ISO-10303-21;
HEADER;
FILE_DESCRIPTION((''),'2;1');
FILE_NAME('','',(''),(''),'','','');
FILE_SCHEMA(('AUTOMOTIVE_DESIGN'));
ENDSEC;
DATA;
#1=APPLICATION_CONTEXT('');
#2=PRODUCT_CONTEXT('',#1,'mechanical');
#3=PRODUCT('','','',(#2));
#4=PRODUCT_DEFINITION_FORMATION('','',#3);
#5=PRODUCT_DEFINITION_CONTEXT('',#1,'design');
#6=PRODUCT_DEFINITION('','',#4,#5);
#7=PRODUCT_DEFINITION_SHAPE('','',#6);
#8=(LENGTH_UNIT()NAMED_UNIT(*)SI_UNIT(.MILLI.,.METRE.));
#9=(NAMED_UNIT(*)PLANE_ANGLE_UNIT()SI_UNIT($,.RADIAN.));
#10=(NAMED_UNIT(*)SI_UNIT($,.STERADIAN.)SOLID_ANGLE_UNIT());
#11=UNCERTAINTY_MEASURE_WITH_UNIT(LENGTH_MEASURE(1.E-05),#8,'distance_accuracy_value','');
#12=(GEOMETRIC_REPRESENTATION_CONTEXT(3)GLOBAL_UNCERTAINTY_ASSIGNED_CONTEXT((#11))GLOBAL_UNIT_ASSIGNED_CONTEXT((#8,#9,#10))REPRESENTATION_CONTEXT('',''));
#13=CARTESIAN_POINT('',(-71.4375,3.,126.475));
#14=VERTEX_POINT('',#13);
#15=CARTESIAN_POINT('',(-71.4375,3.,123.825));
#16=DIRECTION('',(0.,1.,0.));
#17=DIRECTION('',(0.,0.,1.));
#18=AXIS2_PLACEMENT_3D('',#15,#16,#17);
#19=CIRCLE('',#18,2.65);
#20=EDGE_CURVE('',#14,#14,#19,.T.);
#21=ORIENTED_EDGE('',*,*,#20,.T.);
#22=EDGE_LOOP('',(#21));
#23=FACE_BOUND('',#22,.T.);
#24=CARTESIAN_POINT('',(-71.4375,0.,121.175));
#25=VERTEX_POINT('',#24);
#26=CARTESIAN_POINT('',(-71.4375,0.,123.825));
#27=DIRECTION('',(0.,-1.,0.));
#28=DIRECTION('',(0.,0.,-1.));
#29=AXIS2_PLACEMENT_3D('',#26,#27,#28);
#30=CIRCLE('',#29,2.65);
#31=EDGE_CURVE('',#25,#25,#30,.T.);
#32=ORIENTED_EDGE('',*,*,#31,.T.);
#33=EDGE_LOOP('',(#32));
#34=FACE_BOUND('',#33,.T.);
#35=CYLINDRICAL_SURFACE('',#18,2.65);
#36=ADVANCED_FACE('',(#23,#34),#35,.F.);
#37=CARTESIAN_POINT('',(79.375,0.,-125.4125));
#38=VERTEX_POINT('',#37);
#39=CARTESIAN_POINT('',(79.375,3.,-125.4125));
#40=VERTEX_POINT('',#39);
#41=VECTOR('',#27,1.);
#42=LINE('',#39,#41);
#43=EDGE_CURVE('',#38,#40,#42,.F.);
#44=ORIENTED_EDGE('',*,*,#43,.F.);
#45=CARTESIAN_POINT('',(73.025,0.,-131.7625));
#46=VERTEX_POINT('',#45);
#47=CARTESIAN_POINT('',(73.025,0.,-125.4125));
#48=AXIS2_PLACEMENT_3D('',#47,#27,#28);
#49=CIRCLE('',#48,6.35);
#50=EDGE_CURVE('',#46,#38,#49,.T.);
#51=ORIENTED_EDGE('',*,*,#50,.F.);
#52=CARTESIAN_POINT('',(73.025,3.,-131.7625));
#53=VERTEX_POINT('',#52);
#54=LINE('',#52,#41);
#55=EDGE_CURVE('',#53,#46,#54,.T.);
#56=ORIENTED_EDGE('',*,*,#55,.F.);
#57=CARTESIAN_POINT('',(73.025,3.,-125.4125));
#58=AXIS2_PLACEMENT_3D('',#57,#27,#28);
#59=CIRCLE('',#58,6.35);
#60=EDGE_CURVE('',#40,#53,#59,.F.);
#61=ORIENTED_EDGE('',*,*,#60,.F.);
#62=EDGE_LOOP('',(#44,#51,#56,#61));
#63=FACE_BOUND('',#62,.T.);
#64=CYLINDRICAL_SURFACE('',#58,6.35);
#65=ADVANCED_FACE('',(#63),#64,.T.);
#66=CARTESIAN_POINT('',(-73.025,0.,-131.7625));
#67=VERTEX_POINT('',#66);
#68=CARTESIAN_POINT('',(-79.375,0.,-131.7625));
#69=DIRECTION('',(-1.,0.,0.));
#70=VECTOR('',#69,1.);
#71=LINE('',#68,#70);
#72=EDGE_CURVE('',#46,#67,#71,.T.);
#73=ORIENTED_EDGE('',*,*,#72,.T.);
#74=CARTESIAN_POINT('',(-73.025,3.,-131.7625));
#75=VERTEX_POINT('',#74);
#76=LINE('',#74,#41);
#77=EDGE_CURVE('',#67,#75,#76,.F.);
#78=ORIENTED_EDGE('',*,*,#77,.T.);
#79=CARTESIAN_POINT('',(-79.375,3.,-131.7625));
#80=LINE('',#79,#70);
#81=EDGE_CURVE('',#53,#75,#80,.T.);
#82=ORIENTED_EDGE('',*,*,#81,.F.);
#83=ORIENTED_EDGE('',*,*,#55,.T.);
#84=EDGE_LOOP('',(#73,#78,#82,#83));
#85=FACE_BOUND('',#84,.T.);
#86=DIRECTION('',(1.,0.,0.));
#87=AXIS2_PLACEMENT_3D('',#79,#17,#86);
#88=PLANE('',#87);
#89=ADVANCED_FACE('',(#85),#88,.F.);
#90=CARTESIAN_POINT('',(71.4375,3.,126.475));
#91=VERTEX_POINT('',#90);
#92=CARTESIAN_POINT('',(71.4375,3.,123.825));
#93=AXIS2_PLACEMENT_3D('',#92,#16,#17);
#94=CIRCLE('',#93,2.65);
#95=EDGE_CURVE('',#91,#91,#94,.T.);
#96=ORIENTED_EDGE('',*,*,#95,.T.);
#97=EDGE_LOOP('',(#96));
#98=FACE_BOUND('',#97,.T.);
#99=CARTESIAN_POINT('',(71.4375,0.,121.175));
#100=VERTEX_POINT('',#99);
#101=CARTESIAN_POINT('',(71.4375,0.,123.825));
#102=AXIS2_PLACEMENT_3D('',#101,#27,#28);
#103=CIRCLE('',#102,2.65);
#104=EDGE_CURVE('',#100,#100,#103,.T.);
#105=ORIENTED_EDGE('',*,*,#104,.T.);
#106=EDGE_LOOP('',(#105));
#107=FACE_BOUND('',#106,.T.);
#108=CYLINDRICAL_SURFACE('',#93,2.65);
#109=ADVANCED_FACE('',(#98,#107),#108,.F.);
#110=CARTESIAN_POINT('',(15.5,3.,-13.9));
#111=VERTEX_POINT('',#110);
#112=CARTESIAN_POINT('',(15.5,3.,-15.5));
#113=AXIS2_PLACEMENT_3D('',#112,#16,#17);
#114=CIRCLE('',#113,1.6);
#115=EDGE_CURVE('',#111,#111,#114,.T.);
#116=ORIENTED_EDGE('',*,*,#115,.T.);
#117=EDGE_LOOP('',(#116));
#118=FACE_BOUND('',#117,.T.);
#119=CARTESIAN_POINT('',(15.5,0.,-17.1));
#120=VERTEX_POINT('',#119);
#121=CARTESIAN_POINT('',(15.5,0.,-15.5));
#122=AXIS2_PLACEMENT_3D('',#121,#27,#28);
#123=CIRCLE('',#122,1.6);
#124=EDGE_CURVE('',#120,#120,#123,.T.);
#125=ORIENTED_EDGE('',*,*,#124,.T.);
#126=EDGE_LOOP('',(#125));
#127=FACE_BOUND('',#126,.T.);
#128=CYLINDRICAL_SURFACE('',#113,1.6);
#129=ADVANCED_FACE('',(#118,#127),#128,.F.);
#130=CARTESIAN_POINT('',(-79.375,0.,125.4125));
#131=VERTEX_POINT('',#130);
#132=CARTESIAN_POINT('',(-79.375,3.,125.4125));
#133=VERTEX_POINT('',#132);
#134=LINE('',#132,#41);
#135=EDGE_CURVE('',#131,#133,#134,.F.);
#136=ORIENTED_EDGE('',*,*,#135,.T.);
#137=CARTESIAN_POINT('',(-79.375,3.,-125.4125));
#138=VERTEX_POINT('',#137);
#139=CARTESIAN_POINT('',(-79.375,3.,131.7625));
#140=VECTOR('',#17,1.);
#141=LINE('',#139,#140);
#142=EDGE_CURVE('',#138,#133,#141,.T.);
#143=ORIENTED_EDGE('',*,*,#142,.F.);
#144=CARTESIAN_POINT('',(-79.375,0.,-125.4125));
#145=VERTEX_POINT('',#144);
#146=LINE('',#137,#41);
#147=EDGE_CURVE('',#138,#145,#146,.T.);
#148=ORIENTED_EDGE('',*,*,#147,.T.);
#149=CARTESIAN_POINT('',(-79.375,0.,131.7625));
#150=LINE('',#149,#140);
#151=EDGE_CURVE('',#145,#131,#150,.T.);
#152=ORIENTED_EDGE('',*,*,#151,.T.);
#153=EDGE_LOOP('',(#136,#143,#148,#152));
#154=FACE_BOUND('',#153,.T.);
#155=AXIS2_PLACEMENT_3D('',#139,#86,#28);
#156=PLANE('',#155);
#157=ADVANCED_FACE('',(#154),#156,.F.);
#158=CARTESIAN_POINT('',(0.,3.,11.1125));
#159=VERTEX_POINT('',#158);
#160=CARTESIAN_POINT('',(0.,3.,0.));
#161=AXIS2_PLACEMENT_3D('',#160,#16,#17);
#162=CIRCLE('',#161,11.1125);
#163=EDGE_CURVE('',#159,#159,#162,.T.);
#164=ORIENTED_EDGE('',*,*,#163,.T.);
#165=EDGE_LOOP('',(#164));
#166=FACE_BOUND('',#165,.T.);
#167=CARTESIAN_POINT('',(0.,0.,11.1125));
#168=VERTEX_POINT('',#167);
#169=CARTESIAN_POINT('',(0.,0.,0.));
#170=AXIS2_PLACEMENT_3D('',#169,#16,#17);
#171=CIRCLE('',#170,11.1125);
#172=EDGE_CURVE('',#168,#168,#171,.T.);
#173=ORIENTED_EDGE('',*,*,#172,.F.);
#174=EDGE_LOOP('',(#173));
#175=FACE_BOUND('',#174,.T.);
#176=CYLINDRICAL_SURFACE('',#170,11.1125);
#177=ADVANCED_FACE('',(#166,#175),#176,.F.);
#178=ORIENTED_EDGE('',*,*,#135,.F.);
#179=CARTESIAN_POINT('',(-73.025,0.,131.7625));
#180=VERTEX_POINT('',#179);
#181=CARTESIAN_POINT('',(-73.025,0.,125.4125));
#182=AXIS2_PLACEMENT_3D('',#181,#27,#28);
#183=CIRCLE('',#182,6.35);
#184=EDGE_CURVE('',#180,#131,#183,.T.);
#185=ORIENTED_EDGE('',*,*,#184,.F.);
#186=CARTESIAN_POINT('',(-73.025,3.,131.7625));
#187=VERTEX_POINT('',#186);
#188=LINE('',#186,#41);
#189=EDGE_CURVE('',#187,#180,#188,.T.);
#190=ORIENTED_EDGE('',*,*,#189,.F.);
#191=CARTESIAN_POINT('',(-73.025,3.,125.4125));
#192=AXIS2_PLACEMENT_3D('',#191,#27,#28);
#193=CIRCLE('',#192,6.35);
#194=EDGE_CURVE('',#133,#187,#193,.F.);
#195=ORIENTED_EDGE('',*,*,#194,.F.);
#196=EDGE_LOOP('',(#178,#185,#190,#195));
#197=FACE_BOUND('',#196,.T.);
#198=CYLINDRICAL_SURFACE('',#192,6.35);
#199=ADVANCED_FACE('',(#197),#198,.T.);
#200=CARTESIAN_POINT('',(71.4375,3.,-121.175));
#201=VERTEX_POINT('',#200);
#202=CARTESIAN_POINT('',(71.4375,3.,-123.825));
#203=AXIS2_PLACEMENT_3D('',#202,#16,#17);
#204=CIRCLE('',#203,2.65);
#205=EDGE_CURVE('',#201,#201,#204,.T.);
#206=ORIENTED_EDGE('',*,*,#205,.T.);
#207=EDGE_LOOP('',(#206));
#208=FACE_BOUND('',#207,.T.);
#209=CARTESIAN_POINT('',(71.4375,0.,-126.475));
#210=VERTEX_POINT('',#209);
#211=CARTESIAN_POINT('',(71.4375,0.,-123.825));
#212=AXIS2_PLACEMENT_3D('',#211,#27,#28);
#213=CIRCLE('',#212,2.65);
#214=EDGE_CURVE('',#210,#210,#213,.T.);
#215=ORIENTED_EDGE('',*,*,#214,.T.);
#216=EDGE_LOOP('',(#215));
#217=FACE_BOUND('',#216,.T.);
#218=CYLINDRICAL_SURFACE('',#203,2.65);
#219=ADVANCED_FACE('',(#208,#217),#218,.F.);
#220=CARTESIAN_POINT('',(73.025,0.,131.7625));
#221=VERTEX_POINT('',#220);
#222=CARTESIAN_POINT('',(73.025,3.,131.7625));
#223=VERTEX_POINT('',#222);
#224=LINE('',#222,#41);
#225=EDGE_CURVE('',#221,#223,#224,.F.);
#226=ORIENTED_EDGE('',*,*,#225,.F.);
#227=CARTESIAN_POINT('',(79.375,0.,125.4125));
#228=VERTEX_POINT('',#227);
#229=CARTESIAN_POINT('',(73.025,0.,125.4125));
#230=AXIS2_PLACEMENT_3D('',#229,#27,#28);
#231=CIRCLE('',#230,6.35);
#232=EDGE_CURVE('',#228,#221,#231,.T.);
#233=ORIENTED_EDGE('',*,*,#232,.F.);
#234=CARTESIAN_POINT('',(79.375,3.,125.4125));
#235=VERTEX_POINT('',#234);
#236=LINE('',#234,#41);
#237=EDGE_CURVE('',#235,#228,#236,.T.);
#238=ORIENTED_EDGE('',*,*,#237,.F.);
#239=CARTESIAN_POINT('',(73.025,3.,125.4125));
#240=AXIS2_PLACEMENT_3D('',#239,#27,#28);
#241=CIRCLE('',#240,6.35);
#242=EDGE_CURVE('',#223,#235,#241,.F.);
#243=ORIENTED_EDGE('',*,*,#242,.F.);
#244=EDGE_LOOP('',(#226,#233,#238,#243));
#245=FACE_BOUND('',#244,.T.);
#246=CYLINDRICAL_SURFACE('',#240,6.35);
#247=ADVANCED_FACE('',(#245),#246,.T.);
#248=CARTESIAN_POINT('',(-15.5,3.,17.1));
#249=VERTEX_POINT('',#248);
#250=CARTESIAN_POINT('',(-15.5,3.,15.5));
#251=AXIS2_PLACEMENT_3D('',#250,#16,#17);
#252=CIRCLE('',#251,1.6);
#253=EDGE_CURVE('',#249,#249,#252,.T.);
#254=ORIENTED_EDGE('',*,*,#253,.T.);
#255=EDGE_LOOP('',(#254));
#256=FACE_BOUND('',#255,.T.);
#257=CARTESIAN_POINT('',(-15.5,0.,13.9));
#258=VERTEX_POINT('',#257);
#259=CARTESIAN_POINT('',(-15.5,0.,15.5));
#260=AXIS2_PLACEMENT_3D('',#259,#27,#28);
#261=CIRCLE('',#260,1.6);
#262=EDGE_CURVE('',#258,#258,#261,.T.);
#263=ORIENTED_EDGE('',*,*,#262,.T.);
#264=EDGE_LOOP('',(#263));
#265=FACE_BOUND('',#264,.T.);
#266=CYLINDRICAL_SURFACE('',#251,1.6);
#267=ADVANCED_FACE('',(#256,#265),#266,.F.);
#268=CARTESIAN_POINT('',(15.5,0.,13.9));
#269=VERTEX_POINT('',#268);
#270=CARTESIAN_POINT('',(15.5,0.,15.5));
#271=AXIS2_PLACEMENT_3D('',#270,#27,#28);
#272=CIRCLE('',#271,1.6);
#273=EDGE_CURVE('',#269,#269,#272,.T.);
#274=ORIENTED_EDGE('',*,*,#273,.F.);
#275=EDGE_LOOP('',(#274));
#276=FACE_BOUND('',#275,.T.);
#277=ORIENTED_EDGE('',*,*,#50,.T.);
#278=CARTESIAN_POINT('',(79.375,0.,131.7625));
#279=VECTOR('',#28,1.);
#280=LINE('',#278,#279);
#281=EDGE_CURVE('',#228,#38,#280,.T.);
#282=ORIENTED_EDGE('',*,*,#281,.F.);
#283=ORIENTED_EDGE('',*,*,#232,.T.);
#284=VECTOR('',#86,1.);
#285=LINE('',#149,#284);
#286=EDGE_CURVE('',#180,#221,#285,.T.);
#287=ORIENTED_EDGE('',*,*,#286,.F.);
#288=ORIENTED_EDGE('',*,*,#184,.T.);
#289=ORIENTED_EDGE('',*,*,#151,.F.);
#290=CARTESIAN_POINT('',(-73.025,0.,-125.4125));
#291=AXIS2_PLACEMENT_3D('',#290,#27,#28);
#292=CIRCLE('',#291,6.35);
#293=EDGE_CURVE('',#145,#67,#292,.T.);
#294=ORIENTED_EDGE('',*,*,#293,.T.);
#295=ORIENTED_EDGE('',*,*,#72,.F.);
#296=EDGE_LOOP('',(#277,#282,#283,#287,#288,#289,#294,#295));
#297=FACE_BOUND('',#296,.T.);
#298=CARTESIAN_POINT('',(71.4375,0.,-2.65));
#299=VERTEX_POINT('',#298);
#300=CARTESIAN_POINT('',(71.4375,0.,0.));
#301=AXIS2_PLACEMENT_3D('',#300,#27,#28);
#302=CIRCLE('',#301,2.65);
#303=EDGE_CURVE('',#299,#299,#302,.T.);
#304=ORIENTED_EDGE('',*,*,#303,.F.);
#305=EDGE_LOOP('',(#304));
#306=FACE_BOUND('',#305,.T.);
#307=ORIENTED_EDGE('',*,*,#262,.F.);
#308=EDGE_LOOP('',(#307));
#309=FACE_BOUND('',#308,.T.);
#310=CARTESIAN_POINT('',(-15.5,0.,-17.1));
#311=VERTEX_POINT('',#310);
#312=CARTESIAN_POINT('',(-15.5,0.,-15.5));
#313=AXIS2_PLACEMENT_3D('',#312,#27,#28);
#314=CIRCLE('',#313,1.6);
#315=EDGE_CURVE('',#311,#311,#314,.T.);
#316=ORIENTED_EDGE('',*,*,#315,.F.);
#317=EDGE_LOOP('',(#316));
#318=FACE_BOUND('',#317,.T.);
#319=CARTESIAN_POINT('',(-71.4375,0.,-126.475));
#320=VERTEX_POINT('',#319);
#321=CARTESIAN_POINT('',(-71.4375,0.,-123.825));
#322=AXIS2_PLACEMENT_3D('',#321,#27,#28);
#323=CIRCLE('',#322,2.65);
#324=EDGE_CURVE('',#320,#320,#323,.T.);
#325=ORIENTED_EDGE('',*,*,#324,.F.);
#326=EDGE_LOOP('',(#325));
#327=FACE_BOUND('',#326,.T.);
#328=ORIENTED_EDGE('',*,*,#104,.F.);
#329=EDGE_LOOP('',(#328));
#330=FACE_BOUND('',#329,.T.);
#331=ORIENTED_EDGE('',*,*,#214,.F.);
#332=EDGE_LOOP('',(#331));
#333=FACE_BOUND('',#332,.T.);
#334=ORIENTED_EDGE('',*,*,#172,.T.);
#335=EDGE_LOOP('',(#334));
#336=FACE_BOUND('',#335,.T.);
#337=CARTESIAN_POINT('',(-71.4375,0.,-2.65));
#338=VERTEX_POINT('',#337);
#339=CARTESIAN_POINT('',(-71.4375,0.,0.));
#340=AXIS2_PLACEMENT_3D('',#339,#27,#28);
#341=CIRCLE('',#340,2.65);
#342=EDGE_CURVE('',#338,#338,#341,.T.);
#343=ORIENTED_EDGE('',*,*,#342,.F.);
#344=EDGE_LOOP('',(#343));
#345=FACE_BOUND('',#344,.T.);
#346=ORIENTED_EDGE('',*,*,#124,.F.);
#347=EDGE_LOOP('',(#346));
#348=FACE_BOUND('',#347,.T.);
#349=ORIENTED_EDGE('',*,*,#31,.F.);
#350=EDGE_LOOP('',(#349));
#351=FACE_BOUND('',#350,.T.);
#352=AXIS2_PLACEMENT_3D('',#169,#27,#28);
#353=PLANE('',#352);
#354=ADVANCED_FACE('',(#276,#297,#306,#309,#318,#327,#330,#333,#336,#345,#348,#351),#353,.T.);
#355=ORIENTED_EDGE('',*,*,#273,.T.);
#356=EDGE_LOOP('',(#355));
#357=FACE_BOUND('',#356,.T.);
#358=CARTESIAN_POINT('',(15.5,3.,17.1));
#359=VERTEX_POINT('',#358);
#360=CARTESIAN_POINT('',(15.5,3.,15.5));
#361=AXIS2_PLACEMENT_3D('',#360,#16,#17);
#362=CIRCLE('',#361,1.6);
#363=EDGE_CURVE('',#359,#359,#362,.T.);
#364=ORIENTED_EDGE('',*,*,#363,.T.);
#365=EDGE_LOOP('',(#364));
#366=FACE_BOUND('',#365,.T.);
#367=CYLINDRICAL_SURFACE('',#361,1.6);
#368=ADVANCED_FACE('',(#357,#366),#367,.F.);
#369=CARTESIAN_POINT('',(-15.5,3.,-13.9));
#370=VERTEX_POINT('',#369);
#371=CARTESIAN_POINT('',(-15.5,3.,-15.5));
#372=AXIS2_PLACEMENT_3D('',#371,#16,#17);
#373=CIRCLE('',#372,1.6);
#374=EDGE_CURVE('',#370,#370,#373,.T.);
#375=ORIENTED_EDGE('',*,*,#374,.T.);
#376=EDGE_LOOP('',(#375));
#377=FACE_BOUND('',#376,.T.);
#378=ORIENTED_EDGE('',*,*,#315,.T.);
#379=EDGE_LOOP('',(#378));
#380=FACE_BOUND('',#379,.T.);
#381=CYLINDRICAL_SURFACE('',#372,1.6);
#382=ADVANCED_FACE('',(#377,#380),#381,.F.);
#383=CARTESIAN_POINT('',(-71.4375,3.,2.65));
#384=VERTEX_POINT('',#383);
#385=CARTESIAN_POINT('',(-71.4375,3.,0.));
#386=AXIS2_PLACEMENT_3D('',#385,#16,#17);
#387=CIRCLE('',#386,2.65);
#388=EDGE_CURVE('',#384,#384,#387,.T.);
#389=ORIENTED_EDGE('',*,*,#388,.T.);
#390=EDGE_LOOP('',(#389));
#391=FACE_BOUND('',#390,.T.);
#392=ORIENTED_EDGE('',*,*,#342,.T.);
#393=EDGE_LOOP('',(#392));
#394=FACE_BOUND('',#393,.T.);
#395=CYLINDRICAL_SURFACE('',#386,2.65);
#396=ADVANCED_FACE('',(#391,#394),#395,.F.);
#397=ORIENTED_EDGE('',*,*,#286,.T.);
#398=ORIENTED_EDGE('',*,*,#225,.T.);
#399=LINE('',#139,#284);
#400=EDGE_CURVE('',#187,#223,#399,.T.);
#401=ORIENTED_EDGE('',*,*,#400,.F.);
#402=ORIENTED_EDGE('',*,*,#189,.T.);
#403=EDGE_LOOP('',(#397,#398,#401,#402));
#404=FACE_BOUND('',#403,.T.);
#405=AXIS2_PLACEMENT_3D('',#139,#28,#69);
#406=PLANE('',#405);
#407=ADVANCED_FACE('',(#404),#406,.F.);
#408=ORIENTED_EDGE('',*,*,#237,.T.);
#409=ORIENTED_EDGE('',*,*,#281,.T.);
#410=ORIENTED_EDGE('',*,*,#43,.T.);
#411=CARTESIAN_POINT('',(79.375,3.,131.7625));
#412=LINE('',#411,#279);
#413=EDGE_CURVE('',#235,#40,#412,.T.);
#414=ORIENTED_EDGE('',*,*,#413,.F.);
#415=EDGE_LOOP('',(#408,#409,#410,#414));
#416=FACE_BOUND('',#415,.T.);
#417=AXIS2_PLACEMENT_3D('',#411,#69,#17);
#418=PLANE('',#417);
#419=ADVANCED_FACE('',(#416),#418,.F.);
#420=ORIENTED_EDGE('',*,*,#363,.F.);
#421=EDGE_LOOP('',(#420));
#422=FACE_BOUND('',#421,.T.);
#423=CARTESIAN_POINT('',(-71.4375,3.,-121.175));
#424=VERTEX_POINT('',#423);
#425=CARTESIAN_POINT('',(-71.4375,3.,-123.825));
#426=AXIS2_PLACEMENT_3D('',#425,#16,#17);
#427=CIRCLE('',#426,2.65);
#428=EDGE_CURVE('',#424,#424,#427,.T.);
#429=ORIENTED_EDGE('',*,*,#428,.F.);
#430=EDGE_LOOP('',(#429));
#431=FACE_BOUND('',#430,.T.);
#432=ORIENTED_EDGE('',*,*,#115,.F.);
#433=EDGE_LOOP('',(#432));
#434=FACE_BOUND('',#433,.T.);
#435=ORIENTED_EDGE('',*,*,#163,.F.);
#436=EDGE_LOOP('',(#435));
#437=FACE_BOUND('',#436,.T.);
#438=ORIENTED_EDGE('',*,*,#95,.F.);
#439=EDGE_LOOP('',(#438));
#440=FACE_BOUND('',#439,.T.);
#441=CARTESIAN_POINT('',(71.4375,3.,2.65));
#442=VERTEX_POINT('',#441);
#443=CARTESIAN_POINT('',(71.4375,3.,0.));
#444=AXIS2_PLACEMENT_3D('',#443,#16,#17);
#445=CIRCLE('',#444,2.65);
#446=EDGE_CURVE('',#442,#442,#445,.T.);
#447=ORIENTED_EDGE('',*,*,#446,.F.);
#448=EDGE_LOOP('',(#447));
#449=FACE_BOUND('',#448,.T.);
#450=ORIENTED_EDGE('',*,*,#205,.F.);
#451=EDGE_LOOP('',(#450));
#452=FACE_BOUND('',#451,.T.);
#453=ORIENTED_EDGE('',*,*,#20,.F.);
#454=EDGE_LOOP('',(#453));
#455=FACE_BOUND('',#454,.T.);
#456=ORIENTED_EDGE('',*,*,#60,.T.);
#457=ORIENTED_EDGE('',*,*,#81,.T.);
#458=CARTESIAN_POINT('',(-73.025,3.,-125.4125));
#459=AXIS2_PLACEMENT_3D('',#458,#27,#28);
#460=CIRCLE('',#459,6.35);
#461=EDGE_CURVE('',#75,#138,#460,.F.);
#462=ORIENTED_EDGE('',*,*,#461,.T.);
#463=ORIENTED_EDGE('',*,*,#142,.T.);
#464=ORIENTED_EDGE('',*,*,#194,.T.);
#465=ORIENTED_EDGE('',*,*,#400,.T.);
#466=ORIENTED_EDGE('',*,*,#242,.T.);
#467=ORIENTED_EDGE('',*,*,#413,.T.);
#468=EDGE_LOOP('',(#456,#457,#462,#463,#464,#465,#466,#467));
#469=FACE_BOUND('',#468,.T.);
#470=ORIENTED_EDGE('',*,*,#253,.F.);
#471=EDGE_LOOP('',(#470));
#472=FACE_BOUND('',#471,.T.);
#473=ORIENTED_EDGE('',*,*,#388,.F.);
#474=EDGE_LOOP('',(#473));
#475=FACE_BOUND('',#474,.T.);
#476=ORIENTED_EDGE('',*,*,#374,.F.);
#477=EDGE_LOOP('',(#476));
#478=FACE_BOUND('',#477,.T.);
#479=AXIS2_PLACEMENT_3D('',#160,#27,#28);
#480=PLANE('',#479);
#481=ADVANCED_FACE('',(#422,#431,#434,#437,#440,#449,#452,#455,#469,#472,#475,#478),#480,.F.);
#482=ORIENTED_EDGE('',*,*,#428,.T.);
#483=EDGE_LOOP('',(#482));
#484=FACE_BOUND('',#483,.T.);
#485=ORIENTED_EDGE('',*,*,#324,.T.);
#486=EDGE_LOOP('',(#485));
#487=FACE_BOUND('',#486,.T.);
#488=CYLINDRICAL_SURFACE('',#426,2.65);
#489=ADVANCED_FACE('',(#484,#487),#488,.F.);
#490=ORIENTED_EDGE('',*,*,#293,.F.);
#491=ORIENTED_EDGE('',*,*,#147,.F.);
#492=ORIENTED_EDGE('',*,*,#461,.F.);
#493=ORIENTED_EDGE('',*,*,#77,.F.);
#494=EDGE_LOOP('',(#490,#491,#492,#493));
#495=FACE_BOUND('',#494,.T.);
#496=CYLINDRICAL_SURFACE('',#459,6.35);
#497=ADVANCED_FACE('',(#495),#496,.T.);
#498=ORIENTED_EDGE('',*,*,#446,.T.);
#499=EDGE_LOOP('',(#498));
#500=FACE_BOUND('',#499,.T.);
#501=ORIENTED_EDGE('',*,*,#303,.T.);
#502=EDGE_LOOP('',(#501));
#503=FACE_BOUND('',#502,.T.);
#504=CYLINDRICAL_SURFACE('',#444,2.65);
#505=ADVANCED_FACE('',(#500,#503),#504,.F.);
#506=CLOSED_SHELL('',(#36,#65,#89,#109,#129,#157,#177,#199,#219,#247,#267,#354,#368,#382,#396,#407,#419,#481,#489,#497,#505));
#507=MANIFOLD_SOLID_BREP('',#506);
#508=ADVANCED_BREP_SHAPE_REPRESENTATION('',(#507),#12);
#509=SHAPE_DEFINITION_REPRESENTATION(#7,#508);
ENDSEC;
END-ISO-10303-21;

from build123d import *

# Parameters (mm, degrees)
SKETCH1_W                = 158.75
SKETCH1_H                = 263.525
BOSS_EXTRUDE1_DEPTH      = 3
SKETCH5_R                = 11.1125
CUT_EXTRUDE1_DEPTH       = 154.853004622
M3_CLEARANCE_HOLE1_D     = 3.2
M3_CLEARANCE_HOLE1_DEPTH = 3
M5_CLEARANCE_HOLE2_D     = 5.3
M5_CLEARANCE_HOLE2_DEPTH = 3
FILLET1_R                = 6.35


with BuildPart() as part:
    # Sketch1 → Boss-Extrude1 (new body)
    with BuildSketch(Plane(origin=(0, 0, 0), x_dir=(1, 0, 0), z_dir=(0, 1, 0))):
        Rectangle(SKETCH1_W, SKETCH1_H)
    extrude(amount=BOSS_EXTRUDE1_DEPTH)

    # Sketch5 → Cut-Extrude1 (cut, through all)
    with BuildSketch(Plane(origin=(0, 3, 0), x_dir=(1, 0, 0), z_dir=(0, 1, 0))):
        with Locations(Location((0, 0, 0), (0, 0, 270))):
            Circle(SKETCH5_R)
    extrude(amount=-CUT_EXTRUDE1_DEPTH, mode=Mode.SUBTRACT)

    # M3 Clearance Hole1
    with Locations(Plane(origin=(0, 3, 0), x_dir=(1, 0, 0), z_dir=(0, 1, 0))):
        with Locations((0, 0), (15.5, 15.5), (-15.5, -15.5), (-15.5, 15.5), (15.5, -15.5)):
            Hole(M3_CLEARANCE_HOLE1_D / 2, depth=M3_CLEARANCE_HOLE1_DEPTH)

    # M5 Clearance Hole2
    with Locations(Plane(origin=(0, 3, 0), x_dir=(1, 0, 0), z_dir=(0, 1, 0))):
        with Locations((0, 0), (71.4375, 123.825), (-71.4375, -123.825), (-71.4375, 123.825), (71.4375, -123.825), (-71.4375, 0), (71.4375, 0)):
            Hole(M5_CLEARANCE_HOLE2_D / 2, depth=M5_CLEARANCE_HOLE2_DEPTH)

    # Fillet1
    fillet1_edges = [part.edges().sort_by_distance(p)[0] for p in [
        (79.375, 1.5, 131.7625),
        (-79.375, 1.5, 131.7625),
        (-79.375, 1.5, -131.7625),
        (79.375, 1.5, -131.7625),
    ]]
    fillet(fillet1_edges, radius=FILLET1_R)


solid = part.part
